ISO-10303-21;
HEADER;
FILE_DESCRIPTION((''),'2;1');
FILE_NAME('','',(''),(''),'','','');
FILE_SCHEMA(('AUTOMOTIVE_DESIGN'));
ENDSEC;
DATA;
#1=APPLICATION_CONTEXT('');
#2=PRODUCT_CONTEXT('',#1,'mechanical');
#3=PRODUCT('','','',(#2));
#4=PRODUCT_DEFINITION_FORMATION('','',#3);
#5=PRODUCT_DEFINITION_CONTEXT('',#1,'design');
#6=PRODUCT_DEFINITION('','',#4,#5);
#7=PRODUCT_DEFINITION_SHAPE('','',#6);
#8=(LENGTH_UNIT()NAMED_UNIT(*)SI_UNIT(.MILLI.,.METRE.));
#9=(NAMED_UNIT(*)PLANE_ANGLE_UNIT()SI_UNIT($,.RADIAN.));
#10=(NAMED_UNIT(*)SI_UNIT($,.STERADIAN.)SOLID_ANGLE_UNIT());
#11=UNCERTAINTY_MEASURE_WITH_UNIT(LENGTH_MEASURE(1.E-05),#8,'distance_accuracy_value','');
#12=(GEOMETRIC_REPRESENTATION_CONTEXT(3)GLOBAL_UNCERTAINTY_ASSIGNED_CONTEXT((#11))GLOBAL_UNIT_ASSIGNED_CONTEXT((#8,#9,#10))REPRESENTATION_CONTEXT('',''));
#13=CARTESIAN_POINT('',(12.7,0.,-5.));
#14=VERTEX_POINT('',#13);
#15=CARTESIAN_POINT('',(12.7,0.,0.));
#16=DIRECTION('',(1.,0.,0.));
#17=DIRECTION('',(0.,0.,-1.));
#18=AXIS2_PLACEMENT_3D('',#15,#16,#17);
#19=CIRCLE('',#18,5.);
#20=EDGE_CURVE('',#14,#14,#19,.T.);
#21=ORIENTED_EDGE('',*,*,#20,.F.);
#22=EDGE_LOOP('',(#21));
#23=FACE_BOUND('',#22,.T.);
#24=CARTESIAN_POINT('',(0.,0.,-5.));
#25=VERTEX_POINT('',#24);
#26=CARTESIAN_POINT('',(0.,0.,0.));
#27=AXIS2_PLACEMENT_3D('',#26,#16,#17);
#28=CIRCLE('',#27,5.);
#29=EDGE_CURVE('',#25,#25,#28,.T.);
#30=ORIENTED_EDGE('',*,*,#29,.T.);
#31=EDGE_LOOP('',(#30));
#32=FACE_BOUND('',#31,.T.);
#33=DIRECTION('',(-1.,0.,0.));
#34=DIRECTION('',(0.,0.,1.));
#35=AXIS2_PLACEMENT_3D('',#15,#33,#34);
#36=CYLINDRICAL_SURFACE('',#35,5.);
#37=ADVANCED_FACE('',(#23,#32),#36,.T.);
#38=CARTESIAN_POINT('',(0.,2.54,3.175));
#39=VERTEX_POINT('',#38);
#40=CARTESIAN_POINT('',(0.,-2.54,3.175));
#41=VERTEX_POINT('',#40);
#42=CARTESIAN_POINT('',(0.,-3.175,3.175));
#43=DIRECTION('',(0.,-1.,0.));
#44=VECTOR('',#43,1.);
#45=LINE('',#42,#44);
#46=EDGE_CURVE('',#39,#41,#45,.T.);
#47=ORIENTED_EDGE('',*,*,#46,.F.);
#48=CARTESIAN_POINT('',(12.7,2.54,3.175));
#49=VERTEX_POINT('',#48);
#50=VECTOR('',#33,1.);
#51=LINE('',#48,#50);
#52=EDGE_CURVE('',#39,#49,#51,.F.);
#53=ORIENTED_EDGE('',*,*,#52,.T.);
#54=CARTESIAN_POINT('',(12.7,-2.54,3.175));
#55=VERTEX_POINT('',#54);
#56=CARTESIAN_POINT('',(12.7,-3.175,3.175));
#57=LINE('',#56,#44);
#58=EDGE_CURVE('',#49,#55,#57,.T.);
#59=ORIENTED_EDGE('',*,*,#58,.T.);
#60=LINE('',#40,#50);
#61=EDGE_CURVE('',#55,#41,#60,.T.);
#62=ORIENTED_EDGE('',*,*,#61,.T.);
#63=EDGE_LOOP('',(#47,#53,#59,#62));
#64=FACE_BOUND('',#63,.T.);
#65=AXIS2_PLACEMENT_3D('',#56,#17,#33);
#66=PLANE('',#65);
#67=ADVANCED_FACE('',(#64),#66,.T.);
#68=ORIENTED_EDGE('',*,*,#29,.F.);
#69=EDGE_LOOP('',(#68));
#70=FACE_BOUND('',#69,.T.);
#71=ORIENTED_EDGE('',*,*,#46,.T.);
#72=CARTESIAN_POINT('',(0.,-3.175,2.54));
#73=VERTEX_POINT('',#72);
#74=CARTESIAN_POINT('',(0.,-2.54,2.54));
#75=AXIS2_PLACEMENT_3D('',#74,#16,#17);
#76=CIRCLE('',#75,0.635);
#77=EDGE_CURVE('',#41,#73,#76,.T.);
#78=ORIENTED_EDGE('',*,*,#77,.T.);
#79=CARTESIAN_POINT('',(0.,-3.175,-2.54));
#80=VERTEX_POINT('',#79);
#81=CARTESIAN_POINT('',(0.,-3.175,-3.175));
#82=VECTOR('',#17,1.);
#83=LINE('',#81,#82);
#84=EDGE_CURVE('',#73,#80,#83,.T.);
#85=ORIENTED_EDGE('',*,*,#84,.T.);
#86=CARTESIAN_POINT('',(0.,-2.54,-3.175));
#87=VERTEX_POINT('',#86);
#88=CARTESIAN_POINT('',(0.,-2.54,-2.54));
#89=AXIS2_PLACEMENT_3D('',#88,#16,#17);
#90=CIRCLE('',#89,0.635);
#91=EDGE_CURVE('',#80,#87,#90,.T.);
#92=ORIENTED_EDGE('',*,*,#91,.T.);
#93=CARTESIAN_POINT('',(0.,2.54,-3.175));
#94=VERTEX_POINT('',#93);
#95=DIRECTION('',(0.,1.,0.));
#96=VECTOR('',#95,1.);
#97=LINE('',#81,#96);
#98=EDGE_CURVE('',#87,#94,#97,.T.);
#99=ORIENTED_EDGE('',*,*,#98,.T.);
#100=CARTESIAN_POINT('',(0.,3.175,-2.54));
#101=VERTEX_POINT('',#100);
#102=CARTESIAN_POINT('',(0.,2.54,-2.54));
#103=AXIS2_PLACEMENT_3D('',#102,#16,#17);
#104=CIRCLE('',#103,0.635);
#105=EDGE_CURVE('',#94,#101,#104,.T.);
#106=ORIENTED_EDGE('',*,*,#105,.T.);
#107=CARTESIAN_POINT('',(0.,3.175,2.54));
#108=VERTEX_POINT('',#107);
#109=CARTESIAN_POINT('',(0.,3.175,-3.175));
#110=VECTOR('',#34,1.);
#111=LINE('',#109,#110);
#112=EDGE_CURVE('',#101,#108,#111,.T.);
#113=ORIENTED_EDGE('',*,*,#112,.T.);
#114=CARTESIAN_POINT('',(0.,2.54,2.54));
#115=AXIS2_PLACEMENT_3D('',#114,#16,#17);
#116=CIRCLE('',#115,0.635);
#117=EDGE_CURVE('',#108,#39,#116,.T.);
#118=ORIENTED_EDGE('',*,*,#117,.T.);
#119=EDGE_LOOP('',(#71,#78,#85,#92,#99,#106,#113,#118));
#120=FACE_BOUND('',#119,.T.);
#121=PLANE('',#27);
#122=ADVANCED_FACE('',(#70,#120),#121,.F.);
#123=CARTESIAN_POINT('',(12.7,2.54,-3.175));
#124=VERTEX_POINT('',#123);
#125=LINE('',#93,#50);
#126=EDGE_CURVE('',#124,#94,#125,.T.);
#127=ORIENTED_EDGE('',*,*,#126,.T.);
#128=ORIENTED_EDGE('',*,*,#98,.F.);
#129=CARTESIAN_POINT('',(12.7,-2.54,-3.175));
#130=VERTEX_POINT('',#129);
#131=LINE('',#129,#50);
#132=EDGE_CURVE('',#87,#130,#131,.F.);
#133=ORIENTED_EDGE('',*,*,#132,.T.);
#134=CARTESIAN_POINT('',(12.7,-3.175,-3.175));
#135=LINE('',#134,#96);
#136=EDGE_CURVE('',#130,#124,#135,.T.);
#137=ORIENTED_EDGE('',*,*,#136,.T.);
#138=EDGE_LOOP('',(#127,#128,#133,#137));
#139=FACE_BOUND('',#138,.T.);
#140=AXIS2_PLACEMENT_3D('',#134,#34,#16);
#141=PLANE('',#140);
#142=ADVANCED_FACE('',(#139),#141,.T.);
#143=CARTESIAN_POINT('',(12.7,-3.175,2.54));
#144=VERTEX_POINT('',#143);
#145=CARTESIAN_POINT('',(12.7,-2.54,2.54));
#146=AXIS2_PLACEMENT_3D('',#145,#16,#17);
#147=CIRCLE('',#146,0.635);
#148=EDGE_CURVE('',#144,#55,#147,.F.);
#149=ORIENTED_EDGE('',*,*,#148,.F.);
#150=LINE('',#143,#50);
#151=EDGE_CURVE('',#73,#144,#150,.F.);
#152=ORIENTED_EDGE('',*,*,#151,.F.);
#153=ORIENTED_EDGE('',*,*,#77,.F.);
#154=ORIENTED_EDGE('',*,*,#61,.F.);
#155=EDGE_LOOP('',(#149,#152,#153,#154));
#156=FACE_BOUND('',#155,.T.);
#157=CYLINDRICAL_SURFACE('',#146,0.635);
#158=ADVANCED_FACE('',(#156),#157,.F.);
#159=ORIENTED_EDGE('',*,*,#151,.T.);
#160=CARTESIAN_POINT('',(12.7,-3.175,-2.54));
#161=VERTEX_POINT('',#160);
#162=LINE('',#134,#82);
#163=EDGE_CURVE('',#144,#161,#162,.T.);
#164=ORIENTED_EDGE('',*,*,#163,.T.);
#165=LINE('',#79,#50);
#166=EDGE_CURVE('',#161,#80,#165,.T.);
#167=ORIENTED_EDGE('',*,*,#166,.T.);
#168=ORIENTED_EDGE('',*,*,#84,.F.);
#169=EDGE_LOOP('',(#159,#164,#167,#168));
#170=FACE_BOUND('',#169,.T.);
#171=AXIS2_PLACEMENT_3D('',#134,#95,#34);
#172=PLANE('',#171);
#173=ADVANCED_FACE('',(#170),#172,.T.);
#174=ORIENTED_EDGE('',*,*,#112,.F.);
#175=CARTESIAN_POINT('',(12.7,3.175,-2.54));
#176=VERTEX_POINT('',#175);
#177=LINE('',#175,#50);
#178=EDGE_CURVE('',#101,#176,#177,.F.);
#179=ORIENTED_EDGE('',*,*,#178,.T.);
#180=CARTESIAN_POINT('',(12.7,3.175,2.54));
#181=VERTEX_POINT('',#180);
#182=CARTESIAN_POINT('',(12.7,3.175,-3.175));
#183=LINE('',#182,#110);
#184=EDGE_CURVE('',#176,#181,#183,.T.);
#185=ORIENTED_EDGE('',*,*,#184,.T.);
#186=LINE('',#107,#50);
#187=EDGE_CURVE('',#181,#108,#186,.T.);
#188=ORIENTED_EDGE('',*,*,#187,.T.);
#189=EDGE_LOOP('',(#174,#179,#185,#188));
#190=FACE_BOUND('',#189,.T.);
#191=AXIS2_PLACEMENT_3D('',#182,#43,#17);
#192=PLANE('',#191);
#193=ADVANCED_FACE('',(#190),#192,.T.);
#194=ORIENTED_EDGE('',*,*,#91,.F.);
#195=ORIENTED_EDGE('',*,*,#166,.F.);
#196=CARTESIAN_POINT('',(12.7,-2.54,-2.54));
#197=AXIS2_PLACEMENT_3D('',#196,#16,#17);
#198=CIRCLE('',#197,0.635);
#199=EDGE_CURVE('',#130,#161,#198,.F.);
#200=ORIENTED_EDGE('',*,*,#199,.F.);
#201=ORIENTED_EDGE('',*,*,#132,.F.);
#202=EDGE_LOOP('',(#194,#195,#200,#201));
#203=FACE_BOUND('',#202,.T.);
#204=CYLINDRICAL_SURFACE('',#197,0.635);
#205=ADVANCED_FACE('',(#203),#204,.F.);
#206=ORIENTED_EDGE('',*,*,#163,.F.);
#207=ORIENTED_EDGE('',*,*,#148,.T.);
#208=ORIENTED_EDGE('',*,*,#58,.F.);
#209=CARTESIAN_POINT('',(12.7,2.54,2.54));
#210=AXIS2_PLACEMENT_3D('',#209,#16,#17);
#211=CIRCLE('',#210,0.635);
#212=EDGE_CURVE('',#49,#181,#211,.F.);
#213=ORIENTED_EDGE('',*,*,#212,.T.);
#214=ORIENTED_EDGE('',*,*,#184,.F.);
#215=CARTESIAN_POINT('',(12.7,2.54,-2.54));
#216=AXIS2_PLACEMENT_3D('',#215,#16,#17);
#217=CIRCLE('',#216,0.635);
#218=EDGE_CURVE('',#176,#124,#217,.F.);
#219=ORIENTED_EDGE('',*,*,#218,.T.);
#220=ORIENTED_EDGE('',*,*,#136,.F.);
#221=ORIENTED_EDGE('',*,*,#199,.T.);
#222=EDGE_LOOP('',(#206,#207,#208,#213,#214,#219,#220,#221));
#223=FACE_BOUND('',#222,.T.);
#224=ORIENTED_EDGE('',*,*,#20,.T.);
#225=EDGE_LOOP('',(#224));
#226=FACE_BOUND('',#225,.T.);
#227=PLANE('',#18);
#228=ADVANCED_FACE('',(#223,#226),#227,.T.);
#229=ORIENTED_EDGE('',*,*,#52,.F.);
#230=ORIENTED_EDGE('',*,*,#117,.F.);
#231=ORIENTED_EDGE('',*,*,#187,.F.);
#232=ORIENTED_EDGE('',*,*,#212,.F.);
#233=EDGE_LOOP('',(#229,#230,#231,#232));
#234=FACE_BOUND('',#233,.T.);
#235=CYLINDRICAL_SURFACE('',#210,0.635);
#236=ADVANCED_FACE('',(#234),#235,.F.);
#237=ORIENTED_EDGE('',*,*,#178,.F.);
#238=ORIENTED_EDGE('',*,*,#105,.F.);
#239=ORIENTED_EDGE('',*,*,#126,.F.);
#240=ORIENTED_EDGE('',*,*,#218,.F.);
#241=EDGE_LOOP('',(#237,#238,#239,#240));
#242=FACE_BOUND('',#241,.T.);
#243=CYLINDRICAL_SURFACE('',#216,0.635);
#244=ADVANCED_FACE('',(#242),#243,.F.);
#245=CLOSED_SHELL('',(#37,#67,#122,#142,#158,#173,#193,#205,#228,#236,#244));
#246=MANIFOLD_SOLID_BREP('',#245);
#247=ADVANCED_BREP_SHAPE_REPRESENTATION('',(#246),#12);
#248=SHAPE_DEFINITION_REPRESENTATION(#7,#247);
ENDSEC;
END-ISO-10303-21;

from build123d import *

# Parameters (mm, degrees)
SKETCH1_R           = 5
SKETCH1_W           = 6.35
SKETCH1_H           = 6.35
BOSS_EXTRUDE1_DEPTH = 12.7
FILLET1_R           = 0.635


with BuildPart() as part:
    # Sketch1 → Boss-Extrude1 (new body)
    with BuildSketch(Plane(origin=(0, 0, 0), x_dir=(0, 0, -1), z_dir=(1, 0, 0))):
        Circle(SKETCH1_R)
        Rectangle(SKETCH1_W, SKETCH1_H, mode=Mode.SUBTRACT)
    extrude(amount=BOSS_EXTRUDE1_DEPTH)

    # Fillet1
    fillet1_edges = [part.edges().sort_by_distance(p)[0] for p in [
        (6.35, 3.175, 3.175),
        (6.35, -3.175, 3.175),
        (6.35, -3.175, -3.175),
        (6.35, 3.175, -3.175),
    ]]
    fillet(fillet1_edges, radius=FILLET1_R)


solid = part.part
